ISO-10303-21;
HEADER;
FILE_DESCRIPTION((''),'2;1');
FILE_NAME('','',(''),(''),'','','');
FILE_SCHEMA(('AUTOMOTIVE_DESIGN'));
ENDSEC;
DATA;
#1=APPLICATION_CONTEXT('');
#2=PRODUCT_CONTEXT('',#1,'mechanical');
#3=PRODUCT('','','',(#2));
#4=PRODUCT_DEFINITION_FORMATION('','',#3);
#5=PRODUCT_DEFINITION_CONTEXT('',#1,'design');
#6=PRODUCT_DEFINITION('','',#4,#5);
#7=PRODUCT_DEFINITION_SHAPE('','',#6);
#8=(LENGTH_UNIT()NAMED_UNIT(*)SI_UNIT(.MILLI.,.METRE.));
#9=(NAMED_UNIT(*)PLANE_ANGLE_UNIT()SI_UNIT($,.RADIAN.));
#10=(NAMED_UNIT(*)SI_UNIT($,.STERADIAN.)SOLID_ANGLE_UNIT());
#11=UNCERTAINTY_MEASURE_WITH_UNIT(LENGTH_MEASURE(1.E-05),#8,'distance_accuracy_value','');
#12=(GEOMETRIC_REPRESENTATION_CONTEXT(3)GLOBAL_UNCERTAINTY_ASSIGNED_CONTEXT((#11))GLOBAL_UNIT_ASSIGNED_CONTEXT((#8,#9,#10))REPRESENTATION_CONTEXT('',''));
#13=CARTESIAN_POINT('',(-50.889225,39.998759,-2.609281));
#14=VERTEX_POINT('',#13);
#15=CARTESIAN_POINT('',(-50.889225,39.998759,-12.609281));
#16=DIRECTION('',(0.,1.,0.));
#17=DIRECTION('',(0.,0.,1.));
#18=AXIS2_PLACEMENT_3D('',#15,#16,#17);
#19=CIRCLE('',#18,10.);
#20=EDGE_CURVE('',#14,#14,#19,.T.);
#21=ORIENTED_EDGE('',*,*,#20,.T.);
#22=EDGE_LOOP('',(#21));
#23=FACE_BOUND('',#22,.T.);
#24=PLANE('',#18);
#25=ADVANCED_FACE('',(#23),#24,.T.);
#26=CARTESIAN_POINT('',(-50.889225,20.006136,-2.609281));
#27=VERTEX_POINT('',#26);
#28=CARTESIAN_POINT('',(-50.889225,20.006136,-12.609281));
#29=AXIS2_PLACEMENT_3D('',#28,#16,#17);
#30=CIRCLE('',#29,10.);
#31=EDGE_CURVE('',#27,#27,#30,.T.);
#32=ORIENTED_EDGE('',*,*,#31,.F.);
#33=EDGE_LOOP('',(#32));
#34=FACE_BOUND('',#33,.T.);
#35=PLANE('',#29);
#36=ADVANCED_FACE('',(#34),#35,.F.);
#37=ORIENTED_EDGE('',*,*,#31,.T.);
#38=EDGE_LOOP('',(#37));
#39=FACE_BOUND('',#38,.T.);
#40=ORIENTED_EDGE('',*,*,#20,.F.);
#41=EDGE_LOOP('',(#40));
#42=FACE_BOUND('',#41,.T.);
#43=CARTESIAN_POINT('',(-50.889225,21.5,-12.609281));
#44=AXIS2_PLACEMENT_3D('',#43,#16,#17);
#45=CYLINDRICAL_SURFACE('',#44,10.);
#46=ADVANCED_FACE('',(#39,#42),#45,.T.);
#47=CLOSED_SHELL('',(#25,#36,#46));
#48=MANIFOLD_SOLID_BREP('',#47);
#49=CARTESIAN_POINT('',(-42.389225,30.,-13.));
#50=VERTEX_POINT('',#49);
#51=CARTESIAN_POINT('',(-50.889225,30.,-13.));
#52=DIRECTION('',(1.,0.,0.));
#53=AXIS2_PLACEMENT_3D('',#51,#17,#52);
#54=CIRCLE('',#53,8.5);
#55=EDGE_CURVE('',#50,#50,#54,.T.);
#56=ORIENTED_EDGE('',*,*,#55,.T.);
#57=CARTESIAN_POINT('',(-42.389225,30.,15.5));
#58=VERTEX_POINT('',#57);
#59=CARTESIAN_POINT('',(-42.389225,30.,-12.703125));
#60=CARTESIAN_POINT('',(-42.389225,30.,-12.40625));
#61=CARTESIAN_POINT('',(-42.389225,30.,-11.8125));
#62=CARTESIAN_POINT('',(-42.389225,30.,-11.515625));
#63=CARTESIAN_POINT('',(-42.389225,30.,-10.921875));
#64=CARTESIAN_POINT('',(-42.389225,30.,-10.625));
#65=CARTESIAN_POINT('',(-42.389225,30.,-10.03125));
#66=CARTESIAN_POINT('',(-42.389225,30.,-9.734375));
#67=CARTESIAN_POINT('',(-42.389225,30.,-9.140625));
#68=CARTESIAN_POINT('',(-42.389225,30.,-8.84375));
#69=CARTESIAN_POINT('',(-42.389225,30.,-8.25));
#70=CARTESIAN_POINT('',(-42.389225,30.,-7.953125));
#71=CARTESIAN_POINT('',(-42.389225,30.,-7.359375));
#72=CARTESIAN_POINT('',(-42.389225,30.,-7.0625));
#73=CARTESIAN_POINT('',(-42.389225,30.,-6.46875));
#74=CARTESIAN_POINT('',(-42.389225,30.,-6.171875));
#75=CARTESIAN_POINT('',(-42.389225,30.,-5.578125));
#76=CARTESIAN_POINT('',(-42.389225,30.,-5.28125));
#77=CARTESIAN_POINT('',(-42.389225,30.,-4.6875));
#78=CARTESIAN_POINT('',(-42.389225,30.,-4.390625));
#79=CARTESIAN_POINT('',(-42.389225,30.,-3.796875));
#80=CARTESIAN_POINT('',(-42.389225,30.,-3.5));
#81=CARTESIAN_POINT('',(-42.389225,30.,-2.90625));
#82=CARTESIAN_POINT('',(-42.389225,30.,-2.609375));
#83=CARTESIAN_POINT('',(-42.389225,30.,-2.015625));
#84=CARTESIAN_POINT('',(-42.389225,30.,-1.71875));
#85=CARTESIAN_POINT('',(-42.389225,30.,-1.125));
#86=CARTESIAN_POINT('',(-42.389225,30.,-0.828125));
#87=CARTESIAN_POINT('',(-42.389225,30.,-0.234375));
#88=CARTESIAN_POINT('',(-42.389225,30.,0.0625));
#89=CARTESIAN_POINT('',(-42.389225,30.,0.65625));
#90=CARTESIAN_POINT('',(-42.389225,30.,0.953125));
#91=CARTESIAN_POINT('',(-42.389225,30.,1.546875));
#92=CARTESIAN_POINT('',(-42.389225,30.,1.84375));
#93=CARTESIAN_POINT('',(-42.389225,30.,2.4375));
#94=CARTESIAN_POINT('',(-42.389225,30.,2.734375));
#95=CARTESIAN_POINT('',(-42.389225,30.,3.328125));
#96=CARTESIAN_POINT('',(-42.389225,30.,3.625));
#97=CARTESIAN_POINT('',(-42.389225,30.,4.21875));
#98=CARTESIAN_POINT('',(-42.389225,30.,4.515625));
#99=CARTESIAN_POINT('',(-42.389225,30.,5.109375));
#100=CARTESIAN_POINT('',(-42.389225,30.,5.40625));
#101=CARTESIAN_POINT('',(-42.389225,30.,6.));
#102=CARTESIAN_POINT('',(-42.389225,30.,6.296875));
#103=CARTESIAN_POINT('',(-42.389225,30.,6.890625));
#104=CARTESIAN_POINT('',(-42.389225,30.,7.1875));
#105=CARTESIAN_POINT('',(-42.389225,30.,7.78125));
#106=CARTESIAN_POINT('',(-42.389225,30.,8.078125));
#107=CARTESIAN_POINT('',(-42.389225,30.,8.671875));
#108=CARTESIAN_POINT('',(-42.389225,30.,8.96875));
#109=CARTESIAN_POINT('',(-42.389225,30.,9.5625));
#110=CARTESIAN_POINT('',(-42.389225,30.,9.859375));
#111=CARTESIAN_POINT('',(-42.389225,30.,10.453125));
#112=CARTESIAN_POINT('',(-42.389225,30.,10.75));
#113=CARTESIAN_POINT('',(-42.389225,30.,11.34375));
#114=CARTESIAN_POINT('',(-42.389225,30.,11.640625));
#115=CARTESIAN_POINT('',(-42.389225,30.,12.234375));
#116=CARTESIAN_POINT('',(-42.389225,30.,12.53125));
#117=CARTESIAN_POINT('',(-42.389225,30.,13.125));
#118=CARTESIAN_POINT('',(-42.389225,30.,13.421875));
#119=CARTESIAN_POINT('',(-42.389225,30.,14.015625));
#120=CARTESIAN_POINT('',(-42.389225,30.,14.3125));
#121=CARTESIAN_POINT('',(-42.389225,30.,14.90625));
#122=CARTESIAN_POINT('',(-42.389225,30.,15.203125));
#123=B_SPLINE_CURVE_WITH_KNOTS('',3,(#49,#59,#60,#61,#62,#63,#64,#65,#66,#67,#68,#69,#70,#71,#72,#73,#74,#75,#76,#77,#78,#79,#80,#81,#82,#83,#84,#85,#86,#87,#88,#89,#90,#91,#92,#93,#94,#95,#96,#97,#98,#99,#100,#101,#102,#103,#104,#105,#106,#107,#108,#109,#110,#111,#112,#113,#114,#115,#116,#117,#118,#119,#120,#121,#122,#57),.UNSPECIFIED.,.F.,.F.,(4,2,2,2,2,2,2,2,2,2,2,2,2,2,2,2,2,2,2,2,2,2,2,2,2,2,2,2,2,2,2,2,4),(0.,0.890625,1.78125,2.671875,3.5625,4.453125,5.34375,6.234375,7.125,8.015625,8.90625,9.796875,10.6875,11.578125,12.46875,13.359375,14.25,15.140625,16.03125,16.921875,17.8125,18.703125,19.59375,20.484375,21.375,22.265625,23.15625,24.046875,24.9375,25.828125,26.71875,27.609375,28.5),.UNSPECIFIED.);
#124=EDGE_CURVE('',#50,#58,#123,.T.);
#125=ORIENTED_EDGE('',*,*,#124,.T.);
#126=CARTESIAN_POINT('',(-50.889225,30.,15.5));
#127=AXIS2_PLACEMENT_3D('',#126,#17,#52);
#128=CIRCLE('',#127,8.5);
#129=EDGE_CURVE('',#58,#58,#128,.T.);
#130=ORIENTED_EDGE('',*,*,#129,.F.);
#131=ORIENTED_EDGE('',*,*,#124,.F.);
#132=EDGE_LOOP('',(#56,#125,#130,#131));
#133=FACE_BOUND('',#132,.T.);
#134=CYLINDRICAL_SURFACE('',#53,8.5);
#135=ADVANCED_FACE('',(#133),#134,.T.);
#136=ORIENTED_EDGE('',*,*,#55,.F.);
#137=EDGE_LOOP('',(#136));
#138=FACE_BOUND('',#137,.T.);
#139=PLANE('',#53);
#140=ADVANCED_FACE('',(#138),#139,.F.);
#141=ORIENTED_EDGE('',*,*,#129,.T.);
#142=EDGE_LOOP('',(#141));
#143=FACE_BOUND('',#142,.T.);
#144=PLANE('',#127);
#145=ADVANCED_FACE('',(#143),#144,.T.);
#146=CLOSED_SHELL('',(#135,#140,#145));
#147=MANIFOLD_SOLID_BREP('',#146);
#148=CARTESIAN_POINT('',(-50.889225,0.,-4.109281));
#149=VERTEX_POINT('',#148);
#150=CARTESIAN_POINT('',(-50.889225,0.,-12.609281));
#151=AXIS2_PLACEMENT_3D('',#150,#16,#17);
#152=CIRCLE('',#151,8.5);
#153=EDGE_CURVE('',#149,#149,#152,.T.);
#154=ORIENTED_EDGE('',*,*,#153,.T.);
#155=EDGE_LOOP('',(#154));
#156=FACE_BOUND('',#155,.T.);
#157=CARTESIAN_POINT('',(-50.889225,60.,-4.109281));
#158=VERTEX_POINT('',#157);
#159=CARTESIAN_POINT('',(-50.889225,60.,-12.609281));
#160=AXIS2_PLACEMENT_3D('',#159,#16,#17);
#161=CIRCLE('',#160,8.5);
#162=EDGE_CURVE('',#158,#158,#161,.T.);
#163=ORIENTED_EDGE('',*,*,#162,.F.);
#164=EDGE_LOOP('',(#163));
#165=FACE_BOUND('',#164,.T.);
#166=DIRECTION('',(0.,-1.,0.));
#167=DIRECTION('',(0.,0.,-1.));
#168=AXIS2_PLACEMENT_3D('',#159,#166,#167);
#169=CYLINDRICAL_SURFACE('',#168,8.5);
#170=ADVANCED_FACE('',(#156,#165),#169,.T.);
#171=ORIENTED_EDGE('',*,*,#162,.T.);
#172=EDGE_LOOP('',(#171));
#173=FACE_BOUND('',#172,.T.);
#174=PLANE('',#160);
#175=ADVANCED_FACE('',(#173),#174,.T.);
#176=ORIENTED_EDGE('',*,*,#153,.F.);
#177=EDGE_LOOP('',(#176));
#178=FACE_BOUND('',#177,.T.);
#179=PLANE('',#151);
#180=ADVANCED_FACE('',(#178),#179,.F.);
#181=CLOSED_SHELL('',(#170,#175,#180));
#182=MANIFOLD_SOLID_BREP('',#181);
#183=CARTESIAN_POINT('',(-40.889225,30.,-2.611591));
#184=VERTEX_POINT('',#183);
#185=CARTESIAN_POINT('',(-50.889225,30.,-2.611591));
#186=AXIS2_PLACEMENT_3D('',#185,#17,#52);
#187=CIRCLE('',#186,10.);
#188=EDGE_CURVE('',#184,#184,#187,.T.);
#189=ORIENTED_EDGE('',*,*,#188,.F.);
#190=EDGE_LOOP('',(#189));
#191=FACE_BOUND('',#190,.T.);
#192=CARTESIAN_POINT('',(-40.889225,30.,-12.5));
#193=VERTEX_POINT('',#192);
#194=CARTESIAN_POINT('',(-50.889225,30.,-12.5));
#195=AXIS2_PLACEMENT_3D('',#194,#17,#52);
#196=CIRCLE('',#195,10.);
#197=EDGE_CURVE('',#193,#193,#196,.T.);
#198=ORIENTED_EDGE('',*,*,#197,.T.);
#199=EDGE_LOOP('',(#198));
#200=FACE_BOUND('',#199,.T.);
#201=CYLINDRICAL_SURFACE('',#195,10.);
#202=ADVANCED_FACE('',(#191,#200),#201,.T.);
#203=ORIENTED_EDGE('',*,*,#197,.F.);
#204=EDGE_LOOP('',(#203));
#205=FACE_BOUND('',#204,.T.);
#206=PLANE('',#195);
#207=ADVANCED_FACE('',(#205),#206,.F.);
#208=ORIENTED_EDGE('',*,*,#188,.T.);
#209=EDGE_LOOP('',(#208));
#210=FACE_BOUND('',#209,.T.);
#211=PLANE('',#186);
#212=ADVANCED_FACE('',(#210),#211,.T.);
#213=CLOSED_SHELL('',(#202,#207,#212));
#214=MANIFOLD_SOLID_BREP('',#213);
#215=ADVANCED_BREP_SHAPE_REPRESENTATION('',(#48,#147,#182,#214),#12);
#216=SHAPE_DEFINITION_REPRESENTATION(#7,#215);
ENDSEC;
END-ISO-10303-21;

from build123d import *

# Parameters (mm, degrees)
SKETCH1_R                 = 8.5
BOSS_EXTRUDE9_DEPTH       = 60
BOSS_EXTRUDE10_DEPTH      = 15.5
BOSS_EXTRUDE10_DEPTH_BACK = 13
SKETCH2_R                 = 8.5
BOSS_EXTRUDE11_DEPTH      = 0.0001
BOSS_EXTRUDE11_DEPTH_BACK = 38.5
SKETCH3_R                 = 10
MOVE_FACE1_BY             = 20.2
BOSS_EXTRUDE12_DEPTH      = 0.0001
BOSS_EXTRUDE12_DEPTH_BACK = 28
SKETCH4_R                 = 10
MOVE_FACE2_BY             = 18.6
MOVE_FACE3_BY             = 0.198659162
MOVE_FACE4_BY             = 1.493864333
MOVE_FACE6_BY             = 0.604242716
MOVE_FACE7_BY             = 0.11593398


with BuildPart() as part:
    # Sketch1 → Boss-Extrude9 (new body)
    with BuildSketch(Plane(origin=(0, 0, 0), x_dir=(1, 0, 0), z_dir=(0, 1, 0))):
        with Locations(Location((-50.889224798, 12.609280988, 0), (0, 0, 270))):
            Circle(SKETCH1_R)
    extrude(amount=BOSS_EXTRUDE9_DEPTH)


with BuildPart() as body_2:
    # Sketch2 → Boss-Extrude10 (new, two sides: drawn at the far end of the back side and taken through both)
    with BuildSketch(Plane.XY.offset(-BOSS_EXTRUDE10_DEPTH_BACK)):
        with Locations((-50.889224798, 30)):
            Circle(SKETCH2_R)
    extrude(amount=BOSS_EXTRUDE10_DEPTH + BOSS_EXTRUDE10_DEPTH_BACK)


with BuildPart() as body_3:
    # Sketch3 → Boss-Extrude11 (new, two sides: drawn at the far end of the back side and taken through both)
    with BuildSketch(Plane(origin=(0, 60, 0), x_dir=(1, 0, 0), z_dir=(0, 1, 0)).offset(-BOSS_EXTRUDE11_DEPTH_BACK)):
        with Locations(Location((-50.889224798, 12.609280988, 0), (0, 0, 270))):
            Circle(SKETCH3_R)
    extrude(amount=BOSS_EXTRUDE11_DEPTH + BOSS_EXTRUDE11_DEPTH_BACK)

    # Move Face1: a face moved inward by 20.2
    extrude(body_3.faces().sort_by_distance((-50.889224798, 60.0001, -12.609280988))[0], amount=MOVE_FACE1_BY, dir=(0, -1, 0), mode=Mode.SUBTRACT)

    # Move Face3: a face moved outward by 0.198659
    extrude(body_3.faces().sort_by_distance((-50.889224798, 39.8001, -12.609280988))[0], amount=MOVE_FACE3_BY, dir=(0, 1, 0))

    # Move Face4: a face moved outward by 1.493864
    extrude(body_3.faces().sort_by_distance((-50.889224798, 21.5, -12.609280988))[0], amount=MOVE_FACE4_BY, dir=(0, -1, 0))


with BuildPart() as body_4:
    # Sketch4 → Boss-Extrude12 (new, two sides: drawn at the far end of the back side and taken through both)
    with BuildSketch(Plane.XY.offset(15.5).offset(-BOSS_EXTRUDE12_DEPTH_BACK)):
        with Locations((-50.889224798, 30)):
            Circle(SKETCH4_R)
    extrude(amount=BOSS_EXTRUDE12_DEPTH + BOSS_EXTRUDE12_DEPTH_BACK)

    # Move Face2: a face moved inward by 18.6
    extrude(body_4.faces().sort_by_distance((-50.889224798, 30, 15.5001))[0], amount=MOVE_FACE2_BY, dir=(0, 0, -1), mode=Mode.SUBTRACT)

    # Move Face6: a face moved outward by 0.604243
    extrude(body_4.faces().sort_by_distance((-50.889224798, 30, -3.0999))[0], amount=MOVE_FACE6_BY, dir=(0, 0, 1))

    # Move Face7: a face moved inward by 0.115934
    extrude(body_4.faces().sort_by_distance((-50.889224798, 30, -2.495657284))[0], amount=MOVE_FACE7_BY, dir=(0, 0, -1), mode=Mode.SUBTRACT)


solid = Compound([part.part, body_2.part, body_3.part, body_4.part])
